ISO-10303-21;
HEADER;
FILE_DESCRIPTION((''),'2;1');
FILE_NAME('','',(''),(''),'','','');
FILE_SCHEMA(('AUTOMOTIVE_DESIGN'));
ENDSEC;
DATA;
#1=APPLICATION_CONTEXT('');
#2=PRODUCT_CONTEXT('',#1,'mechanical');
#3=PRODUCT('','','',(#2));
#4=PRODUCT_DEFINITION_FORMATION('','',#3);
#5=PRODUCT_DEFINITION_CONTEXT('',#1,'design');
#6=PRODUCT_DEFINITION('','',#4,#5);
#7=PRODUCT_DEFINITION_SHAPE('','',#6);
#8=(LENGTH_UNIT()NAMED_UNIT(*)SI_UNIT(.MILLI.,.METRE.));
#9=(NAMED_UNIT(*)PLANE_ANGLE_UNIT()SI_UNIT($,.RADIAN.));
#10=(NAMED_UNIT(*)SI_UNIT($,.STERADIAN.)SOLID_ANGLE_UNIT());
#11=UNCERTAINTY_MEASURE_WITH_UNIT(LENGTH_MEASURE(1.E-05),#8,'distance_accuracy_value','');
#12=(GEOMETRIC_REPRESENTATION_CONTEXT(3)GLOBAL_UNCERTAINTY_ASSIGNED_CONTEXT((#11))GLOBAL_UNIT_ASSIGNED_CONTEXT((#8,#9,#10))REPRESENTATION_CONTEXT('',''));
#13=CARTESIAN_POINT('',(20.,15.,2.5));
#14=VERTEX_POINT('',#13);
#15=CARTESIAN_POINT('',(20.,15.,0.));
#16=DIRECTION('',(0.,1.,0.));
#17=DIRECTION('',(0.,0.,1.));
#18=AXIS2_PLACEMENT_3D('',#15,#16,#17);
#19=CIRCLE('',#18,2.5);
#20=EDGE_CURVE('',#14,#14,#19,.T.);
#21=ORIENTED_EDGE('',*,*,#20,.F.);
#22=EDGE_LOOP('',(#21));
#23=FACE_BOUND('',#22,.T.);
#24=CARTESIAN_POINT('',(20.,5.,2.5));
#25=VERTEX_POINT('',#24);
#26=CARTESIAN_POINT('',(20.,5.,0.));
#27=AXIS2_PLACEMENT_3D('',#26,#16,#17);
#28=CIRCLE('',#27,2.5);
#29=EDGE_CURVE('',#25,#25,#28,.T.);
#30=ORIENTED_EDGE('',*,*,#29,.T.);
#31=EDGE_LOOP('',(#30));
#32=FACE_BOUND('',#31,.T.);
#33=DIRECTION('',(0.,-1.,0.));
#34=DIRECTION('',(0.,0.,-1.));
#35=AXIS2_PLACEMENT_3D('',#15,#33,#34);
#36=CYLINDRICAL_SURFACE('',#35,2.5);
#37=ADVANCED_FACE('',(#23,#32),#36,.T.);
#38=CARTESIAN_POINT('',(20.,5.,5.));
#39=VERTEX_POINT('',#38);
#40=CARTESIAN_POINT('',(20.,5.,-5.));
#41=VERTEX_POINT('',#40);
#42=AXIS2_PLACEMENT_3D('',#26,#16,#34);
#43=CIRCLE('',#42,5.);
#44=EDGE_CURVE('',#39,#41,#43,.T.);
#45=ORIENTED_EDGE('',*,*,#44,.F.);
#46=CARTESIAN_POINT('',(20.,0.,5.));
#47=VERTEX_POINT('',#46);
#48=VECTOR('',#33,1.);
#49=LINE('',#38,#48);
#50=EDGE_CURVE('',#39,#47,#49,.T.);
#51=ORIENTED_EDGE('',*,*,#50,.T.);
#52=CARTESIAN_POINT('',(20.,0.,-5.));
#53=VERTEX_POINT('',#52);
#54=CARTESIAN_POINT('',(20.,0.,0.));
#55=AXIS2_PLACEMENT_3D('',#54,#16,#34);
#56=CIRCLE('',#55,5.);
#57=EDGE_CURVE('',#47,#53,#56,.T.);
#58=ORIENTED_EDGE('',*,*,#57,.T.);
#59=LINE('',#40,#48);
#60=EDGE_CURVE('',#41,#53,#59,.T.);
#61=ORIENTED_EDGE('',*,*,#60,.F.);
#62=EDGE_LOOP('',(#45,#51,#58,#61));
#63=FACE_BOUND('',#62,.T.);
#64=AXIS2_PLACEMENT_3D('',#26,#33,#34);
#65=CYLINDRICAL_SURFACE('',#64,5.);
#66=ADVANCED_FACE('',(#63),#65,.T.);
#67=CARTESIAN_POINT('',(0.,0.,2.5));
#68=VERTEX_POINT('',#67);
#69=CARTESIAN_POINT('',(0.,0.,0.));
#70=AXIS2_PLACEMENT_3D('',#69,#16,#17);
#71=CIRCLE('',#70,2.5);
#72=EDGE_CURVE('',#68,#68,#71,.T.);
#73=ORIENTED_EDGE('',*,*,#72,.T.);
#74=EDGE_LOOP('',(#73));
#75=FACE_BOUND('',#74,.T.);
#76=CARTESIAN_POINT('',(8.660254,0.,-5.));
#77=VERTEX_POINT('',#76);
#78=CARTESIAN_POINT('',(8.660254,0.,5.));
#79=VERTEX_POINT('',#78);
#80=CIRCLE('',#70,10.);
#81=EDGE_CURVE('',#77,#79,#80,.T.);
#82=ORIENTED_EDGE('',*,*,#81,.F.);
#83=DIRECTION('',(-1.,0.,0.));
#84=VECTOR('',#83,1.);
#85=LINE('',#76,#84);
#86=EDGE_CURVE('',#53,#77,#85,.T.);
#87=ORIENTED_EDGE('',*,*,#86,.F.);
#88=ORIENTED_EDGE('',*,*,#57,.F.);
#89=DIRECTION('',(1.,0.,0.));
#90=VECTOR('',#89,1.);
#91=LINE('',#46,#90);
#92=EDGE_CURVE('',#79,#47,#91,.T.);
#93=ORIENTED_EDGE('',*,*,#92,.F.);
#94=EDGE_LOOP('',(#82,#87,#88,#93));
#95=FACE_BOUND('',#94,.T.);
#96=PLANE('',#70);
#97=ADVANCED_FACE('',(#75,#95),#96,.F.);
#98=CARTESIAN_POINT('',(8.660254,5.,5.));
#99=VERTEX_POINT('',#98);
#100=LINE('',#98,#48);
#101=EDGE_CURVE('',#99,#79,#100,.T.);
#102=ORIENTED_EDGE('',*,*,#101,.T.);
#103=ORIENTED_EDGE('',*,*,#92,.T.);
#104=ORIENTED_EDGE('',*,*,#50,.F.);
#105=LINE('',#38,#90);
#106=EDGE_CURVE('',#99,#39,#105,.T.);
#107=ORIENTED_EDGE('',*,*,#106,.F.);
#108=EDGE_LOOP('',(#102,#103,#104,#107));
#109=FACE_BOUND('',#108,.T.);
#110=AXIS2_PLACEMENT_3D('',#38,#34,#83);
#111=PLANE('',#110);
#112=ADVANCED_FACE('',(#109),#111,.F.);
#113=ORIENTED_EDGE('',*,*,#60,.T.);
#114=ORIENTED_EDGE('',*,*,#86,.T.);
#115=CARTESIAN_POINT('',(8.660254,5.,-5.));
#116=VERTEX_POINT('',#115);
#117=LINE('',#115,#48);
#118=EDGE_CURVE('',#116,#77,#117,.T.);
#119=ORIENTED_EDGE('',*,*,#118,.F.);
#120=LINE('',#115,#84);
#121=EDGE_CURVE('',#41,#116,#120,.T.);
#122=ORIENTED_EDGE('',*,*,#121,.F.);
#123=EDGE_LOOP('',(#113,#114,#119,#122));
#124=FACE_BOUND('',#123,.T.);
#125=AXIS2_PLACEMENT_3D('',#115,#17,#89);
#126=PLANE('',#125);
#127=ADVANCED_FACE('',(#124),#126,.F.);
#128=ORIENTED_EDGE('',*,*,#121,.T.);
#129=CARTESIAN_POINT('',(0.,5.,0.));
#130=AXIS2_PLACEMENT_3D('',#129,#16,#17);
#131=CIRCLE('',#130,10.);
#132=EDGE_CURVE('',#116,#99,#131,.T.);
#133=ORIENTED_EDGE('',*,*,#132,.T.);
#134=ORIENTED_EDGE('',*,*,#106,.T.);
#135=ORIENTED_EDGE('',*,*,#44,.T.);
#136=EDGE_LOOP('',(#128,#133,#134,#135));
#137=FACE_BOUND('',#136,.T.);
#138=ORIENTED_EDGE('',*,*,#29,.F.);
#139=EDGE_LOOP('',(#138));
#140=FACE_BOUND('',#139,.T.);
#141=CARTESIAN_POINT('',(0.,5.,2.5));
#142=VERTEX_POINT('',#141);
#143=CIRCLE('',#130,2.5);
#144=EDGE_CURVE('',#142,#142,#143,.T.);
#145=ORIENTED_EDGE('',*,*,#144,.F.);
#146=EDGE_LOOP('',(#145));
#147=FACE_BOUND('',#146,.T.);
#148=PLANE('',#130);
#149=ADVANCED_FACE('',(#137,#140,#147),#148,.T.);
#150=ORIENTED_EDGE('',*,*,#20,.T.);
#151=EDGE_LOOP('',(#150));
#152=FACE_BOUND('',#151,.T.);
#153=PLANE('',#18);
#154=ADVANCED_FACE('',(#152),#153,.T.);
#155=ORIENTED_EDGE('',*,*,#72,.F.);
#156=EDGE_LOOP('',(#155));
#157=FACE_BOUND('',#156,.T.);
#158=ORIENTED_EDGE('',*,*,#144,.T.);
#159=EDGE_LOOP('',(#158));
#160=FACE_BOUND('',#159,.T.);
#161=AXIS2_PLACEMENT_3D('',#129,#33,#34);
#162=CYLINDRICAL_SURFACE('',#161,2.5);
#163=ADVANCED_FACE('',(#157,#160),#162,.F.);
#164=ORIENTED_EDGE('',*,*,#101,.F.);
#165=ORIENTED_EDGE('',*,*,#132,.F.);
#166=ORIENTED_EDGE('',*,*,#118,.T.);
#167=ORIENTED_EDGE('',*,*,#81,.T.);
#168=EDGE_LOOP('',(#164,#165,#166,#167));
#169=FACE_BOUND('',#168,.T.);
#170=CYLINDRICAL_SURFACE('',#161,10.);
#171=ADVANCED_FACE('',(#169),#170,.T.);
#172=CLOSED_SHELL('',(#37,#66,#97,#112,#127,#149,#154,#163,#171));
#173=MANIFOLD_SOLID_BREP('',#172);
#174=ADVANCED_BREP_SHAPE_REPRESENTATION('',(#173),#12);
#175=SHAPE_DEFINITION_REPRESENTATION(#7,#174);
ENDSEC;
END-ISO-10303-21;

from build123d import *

# Parameters (mm, degrees)
SKETCH1_R           = 2.5
BOSS_EXTRUDE1_DEPTH = 5
SKETCH2_R           = 2.5
BOSS_EXTRUDE2_DEPTH = 10


with BuildPart() as part:
    # Sketch1 → Boss-Extrude1 (new body)
    with BuildSketch(Plane(origin=(0, 0, 0), x_dir=(1, 0, 0), z_dir=(0, 1, 0))):
        with BuildLine():
            Line((8.660254038, 5), (20, 5))
            ThreePointArc((20, 5), (25, 0), (20, -5))
            Line((20, -5), (8.660254038, -5))
            ThreePointArc((8.660254038, -5), (-10, 0), (8.660254038, 5))
        make_face()
        Circle(SKETCH1_R, mode=Mode.SUBTRACT)
    extrude(amount=BOSS_EXTRUDE1_DEPTH)

    # Sketch2 → Boss-Extrude2 (add)
    with BuildSketch(Plane(origin=(0, 5, 0), x_dir=(1, 0, 0), z_dir=(0, 1, 0))):
        with Locations((20, 0)):
            Circle(SKETCH2_R)
    extrude(amount=BOSS_EXTRUDE2_DEPTH)


solid = part.part
